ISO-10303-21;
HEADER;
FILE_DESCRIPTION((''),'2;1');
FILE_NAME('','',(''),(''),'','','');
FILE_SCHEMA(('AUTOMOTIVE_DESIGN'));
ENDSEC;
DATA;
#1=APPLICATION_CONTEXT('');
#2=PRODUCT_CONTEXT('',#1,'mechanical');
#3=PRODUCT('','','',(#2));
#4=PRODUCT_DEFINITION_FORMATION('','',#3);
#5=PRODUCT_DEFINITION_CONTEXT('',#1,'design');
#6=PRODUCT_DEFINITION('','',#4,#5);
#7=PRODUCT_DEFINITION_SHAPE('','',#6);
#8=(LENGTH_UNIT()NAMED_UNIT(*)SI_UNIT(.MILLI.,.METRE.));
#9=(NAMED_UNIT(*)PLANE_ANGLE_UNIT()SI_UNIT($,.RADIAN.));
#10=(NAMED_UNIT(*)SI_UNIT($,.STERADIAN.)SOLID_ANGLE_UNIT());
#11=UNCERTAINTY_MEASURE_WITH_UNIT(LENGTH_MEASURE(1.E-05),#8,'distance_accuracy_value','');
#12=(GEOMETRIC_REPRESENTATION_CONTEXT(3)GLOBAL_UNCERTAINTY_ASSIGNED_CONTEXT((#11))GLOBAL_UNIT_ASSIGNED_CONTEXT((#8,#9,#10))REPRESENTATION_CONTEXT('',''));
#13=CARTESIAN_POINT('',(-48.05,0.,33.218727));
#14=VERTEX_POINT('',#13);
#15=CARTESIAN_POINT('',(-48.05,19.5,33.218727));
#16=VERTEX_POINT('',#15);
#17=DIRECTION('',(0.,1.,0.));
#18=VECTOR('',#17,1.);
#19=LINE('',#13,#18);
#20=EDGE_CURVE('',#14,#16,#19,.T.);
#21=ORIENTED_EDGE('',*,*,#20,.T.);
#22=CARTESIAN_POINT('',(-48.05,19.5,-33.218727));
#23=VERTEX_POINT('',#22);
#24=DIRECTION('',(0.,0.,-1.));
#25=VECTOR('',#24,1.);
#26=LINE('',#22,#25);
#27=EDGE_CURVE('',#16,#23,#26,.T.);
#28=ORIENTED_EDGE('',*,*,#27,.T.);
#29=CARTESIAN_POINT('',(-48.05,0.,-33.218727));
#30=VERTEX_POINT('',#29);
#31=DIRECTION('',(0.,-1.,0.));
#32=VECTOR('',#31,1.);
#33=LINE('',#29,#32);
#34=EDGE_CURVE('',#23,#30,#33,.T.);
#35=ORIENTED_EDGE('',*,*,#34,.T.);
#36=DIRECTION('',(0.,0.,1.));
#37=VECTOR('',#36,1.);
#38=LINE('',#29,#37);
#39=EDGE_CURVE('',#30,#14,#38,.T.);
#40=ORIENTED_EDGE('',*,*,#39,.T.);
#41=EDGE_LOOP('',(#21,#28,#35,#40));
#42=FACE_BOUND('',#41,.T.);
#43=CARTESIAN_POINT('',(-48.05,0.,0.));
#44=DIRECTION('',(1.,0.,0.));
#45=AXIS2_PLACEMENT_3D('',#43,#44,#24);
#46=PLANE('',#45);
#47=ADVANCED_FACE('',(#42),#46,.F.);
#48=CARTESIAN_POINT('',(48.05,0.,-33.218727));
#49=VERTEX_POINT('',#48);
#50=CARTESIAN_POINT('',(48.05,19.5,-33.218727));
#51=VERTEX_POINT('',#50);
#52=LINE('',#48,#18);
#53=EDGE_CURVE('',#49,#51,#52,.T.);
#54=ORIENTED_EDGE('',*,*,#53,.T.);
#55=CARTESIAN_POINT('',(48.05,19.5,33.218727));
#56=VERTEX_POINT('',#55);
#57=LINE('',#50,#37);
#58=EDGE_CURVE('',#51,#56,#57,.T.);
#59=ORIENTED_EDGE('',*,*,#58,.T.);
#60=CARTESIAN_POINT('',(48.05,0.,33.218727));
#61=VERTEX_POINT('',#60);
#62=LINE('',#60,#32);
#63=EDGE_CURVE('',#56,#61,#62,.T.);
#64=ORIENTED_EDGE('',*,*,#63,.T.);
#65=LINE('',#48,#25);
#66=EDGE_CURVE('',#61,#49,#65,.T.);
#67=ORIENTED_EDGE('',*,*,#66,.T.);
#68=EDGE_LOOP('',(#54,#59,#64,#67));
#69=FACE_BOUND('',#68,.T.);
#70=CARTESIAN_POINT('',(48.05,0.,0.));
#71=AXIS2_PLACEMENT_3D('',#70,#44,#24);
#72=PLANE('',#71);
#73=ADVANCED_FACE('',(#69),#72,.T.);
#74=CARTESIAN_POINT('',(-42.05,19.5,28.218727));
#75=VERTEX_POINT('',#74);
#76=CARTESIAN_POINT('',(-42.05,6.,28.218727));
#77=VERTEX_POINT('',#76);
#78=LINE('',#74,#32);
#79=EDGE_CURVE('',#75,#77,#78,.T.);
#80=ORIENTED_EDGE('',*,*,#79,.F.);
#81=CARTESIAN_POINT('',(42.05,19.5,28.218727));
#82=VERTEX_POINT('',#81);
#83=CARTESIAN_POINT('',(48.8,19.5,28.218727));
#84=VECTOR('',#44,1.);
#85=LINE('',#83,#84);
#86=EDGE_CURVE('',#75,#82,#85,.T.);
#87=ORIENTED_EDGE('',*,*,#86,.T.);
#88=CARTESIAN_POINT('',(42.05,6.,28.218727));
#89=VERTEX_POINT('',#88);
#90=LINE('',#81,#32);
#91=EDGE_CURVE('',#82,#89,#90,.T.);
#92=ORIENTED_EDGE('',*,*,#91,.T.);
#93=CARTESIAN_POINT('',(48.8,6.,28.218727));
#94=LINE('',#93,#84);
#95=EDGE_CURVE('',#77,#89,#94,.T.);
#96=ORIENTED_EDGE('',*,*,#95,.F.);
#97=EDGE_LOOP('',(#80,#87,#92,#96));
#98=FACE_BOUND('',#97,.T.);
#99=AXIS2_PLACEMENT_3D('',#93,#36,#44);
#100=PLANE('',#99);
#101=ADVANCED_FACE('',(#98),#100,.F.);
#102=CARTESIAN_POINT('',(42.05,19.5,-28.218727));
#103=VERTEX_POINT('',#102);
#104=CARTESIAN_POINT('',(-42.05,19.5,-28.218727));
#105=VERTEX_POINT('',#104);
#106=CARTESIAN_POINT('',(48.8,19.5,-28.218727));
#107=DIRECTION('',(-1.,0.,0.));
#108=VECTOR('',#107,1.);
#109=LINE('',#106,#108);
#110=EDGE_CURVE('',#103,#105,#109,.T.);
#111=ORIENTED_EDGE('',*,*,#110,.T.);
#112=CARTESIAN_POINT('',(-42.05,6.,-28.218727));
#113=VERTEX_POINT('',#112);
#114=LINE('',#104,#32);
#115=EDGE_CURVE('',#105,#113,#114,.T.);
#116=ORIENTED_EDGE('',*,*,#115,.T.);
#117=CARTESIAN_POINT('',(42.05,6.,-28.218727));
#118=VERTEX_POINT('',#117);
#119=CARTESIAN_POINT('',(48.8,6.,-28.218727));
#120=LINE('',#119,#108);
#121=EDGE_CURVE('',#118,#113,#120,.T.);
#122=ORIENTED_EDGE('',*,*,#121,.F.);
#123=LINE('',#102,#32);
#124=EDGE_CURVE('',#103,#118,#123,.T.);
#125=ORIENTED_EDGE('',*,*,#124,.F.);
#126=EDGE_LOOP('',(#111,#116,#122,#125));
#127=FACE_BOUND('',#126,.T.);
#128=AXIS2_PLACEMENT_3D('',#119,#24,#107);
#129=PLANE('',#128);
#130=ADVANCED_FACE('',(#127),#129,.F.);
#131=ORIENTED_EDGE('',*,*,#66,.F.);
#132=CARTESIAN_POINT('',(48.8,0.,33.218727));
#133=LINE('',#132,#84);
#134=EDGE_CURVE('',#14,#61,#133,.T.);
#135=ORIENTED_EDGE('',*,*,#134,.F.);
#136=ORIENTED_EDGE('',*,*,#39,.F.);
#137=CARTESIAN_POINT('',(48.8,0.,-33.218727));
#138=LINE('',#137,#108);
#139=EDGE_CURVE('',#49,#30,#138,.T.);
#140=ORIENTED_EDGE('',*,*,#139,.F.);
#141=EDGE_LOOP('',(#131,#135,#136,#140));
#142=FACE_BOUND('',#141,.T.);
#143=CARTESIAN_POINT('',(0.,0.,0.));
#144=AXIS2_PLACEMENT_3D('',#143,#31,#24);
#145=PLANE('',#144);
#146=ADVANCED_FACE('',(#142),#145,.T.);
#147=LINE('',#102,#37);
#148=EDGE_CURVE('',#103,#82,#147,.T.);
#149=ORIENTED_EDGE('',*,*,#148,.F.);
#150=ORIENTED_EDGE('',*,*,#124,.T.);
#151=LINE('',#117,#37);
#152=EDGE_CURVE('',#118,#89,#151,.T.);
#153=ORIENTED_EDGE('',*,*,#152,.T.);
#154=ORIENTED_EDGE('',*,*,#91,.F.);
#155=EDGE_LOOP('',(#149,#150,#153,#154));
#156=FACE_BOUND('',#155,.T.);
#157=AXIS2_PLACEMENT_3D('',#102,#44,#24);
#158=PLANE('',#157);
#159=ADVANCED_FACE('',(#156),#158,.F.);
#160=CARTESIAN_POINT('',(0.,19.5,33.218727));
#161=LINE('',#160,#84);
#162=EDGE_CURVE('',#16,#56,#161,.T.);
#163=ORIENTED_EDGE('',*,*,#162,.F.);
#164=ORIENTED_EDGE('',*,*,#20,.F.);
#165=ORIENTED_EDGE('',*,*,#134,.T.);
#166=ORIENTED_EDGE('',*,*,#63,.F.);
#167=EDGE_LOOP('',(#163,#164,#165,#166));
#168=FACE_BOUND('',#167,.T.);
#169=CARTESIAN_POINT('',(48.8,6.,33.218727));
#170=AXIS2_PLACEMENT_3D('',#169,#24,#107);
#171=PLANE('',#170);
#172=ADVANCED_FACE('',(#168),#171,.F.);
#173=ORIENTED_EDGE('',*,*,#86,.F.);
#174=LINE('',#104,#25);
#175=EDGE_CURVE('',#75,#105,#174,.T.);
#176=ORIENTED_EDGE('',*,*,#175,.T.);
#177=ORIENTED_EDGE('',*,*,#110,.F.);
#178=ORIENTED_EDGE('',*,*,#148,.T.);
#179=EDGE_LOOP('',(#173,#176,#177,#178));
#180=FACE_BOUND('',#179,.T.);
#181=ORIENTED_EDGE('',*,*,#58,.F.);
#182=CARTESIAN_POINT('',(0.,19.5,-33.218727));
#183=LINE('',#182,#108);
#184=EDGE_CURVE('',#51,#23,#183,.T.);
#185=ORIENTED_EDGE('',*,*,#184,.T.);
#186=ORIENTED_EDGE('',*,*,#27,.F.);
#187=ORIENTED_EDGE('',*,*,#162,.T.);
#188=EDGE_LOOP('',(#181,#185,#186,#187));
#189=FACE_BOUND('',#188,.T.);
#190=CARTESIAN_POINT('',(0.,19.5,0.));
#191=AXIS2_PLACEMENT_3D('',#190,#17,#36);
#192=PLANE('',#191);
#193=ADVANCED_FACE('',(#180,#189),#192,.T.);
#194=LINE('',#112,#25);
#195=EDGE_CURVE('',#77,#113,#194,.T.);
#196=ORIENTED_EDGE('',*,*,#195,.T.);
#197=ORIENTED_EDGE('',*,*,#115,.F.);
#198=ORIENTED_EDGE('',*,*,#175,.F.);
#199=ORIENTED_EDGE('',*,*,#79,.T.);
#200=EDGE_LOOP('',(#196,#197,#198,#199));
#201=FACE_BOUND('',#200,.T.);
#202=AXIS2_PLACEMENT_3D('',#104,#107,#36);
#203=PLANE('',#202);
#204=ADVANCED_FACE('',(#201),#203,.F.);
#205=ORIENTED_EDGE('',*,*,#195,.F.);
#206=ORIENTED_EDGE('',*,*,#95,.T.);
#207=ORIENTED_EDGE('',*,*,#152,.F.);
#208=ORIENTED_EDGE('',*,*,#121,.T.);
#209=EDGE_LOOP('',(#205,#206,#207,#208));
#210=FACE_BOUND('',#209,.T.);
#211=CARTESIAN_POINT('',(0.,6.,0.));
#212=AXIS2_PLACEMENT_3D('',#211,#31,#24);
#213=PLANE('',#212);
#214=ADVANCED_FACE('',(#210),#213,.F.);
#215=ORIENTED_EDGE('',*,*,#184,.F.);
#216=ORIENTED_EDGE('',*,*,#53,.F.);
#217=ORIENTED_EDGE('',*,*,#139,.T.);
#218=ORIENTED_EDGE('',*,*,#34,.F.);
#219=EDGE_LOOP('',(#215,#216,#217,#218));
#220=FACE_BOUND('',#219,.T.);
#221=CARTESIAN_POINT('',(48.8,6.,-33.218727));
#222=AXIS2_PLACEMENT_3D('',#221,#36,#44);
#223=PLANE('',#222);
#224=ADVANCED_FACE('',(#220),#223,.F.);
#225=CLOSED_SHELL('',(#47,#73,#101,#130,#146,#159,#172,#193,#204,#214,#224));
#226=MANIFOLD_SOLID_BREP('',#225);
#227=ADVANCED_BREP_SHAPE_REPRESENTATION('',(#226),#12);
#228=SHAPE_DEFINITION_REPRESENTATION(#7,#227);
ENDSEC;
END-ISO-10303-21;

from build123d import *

# Parameters (mm, degrees)
SKETCH1_W           = 97.6
SKETCH1_H           = 66.43745389
BOSS_EXTRUDE1_DEPTH = 6
SKETCH4_W           = 24.6
SKETCH4_H           = 54
SKETCH4_H_2         = 6.218726945
SKETCH4_W_2         = 55
SKETCH4_W_3         = 18
BOSS_EXTRUDE2_DEPTH = 13.5
SKETCH6_W           = 97.6
SKETCH6_H           = 56.43745389
CUT_EXTRUDE2_DEPTH  = 13.5
SKETCH7_W           = 66.43745389
SKETCH7_H           = 19.5
CUT_EXTRUDE3_DEPTH  = 0.75
SKETCH8_W           = 66.43745389
SKETCH8_H           = 19.5
CUT_EXTRUDE4_DEPTH  = 0.75
SKETCH9_W           = 6
SKETCH9_H           = 56.43745389
BOSS_EXTRUDE3_DEPTH = 13.5


with BuildPart() as part:
    # Sketch1 → Boss-Extrude1 (new body)
    with BuildSketch(Plane(origin=(0, 0, 0), x_dir=(1, 0, 0), z_dir=(0, 1, 0))):
        Rectangle(SKETCH1_W, SKETCH1_H)
    extrude(amount=BOSS_EXTRUDE1_DEPTH)

    # Sketch4 → Boss-Extrude2 (add)
    with BuildSketch(Plane(origin=(0, 6, 0), x_dir=(1, 0, 0), z_dir=(0, 1, 0))):
        with Locations((-36.5, 0)):
            Rectangle(SKETCH4_W, SKETCH4_H)
        with Locations((-36.5, -30.109363473)):
            Rectangle(SKETCH4_W, SKETCH4_H_2)
        with Locations((3.3, -30.109363473)):
            Rectangle(SKETCH4_W_2, SKETCH4_H_2)
        with Locations((39.8, -30.109363473)):
            Rectangle(SKETCH4_W_3, SKETCH4_H_2)
        with Locations((39.8, 0)):
            Rectangle(SKETCH4_W_3, SKETCH4_H)
        with Locations((39.8, 30.109363473)):
            Rectangle(SKETCH4_W_3, SKETCH4_H_2)
        with Locations((-36.5, 30.109363473)):
            Rectangle(SKETCH4_W, SKETCH4_H_2)
        with Locations((3.3, 30.109363473)):
            Rectangle(SKETCH4_W_2, SKETCH4_H_2)
    extrude(amount=BOSS_EXTRUDE2_DEPTH)

    # Sketch6 → Cut-Extrude2 (cut)
    with BuildSketch(Plane(origin=(0, 19.5, 0), x_dir=(1, 0, 0), z_dir=(0, 1, 0))):
        Rectangle(SKETCH6_W, SKETCH6_H)
    extrude(amount=-CUT_EXTRUDE2_DEPTH, mode=Mode.SUBTRACT)

    # Sketch7 → Cut-Extrude3 (cut)
    with BuildSketch(Plane(origin=(48.8, 0, 0), x_dir=(0, 0, -1), z_dir=(1, 0, 0))):
        with Locations((0, 9.75)):
            Rectangle(SKETCH7_W, SKETCH7_H)
    extrude(amount=-CUT_EXTRUDE3_DEPTH, mode=Mode.SUBTRACT)

    # Sketch8 → Cut-Extrude4 (cut)
    with BuildSketch(Plane.ZY.offset(48.8)):
        with Locations((0, 9.75)):
            Rectangle(SKETCH8_W, SKETCH8_H)
    extrude(amount=-CUT_EXTRUDE4_DEPTH, mode=Mode.SUBTRACT)

    # Sketch9 → Boss-Extrude3 (add)
    with BuildSketch(Plane(origin=(0, 6, 0), x_dir=(1, 0, 0), z_dir=(0, 1, 0))):
        with Locations((-45.05, 0)):
            Rectangle(SKETCH9_W, SKETCH9_H)
        with Locations((45.05, 0)):
            Rectangle(SKETCH9_W, SKETCH9_H)
    extrude(amount=BOSS_EXTRUDE3_DEPTH)


solid = part.part
